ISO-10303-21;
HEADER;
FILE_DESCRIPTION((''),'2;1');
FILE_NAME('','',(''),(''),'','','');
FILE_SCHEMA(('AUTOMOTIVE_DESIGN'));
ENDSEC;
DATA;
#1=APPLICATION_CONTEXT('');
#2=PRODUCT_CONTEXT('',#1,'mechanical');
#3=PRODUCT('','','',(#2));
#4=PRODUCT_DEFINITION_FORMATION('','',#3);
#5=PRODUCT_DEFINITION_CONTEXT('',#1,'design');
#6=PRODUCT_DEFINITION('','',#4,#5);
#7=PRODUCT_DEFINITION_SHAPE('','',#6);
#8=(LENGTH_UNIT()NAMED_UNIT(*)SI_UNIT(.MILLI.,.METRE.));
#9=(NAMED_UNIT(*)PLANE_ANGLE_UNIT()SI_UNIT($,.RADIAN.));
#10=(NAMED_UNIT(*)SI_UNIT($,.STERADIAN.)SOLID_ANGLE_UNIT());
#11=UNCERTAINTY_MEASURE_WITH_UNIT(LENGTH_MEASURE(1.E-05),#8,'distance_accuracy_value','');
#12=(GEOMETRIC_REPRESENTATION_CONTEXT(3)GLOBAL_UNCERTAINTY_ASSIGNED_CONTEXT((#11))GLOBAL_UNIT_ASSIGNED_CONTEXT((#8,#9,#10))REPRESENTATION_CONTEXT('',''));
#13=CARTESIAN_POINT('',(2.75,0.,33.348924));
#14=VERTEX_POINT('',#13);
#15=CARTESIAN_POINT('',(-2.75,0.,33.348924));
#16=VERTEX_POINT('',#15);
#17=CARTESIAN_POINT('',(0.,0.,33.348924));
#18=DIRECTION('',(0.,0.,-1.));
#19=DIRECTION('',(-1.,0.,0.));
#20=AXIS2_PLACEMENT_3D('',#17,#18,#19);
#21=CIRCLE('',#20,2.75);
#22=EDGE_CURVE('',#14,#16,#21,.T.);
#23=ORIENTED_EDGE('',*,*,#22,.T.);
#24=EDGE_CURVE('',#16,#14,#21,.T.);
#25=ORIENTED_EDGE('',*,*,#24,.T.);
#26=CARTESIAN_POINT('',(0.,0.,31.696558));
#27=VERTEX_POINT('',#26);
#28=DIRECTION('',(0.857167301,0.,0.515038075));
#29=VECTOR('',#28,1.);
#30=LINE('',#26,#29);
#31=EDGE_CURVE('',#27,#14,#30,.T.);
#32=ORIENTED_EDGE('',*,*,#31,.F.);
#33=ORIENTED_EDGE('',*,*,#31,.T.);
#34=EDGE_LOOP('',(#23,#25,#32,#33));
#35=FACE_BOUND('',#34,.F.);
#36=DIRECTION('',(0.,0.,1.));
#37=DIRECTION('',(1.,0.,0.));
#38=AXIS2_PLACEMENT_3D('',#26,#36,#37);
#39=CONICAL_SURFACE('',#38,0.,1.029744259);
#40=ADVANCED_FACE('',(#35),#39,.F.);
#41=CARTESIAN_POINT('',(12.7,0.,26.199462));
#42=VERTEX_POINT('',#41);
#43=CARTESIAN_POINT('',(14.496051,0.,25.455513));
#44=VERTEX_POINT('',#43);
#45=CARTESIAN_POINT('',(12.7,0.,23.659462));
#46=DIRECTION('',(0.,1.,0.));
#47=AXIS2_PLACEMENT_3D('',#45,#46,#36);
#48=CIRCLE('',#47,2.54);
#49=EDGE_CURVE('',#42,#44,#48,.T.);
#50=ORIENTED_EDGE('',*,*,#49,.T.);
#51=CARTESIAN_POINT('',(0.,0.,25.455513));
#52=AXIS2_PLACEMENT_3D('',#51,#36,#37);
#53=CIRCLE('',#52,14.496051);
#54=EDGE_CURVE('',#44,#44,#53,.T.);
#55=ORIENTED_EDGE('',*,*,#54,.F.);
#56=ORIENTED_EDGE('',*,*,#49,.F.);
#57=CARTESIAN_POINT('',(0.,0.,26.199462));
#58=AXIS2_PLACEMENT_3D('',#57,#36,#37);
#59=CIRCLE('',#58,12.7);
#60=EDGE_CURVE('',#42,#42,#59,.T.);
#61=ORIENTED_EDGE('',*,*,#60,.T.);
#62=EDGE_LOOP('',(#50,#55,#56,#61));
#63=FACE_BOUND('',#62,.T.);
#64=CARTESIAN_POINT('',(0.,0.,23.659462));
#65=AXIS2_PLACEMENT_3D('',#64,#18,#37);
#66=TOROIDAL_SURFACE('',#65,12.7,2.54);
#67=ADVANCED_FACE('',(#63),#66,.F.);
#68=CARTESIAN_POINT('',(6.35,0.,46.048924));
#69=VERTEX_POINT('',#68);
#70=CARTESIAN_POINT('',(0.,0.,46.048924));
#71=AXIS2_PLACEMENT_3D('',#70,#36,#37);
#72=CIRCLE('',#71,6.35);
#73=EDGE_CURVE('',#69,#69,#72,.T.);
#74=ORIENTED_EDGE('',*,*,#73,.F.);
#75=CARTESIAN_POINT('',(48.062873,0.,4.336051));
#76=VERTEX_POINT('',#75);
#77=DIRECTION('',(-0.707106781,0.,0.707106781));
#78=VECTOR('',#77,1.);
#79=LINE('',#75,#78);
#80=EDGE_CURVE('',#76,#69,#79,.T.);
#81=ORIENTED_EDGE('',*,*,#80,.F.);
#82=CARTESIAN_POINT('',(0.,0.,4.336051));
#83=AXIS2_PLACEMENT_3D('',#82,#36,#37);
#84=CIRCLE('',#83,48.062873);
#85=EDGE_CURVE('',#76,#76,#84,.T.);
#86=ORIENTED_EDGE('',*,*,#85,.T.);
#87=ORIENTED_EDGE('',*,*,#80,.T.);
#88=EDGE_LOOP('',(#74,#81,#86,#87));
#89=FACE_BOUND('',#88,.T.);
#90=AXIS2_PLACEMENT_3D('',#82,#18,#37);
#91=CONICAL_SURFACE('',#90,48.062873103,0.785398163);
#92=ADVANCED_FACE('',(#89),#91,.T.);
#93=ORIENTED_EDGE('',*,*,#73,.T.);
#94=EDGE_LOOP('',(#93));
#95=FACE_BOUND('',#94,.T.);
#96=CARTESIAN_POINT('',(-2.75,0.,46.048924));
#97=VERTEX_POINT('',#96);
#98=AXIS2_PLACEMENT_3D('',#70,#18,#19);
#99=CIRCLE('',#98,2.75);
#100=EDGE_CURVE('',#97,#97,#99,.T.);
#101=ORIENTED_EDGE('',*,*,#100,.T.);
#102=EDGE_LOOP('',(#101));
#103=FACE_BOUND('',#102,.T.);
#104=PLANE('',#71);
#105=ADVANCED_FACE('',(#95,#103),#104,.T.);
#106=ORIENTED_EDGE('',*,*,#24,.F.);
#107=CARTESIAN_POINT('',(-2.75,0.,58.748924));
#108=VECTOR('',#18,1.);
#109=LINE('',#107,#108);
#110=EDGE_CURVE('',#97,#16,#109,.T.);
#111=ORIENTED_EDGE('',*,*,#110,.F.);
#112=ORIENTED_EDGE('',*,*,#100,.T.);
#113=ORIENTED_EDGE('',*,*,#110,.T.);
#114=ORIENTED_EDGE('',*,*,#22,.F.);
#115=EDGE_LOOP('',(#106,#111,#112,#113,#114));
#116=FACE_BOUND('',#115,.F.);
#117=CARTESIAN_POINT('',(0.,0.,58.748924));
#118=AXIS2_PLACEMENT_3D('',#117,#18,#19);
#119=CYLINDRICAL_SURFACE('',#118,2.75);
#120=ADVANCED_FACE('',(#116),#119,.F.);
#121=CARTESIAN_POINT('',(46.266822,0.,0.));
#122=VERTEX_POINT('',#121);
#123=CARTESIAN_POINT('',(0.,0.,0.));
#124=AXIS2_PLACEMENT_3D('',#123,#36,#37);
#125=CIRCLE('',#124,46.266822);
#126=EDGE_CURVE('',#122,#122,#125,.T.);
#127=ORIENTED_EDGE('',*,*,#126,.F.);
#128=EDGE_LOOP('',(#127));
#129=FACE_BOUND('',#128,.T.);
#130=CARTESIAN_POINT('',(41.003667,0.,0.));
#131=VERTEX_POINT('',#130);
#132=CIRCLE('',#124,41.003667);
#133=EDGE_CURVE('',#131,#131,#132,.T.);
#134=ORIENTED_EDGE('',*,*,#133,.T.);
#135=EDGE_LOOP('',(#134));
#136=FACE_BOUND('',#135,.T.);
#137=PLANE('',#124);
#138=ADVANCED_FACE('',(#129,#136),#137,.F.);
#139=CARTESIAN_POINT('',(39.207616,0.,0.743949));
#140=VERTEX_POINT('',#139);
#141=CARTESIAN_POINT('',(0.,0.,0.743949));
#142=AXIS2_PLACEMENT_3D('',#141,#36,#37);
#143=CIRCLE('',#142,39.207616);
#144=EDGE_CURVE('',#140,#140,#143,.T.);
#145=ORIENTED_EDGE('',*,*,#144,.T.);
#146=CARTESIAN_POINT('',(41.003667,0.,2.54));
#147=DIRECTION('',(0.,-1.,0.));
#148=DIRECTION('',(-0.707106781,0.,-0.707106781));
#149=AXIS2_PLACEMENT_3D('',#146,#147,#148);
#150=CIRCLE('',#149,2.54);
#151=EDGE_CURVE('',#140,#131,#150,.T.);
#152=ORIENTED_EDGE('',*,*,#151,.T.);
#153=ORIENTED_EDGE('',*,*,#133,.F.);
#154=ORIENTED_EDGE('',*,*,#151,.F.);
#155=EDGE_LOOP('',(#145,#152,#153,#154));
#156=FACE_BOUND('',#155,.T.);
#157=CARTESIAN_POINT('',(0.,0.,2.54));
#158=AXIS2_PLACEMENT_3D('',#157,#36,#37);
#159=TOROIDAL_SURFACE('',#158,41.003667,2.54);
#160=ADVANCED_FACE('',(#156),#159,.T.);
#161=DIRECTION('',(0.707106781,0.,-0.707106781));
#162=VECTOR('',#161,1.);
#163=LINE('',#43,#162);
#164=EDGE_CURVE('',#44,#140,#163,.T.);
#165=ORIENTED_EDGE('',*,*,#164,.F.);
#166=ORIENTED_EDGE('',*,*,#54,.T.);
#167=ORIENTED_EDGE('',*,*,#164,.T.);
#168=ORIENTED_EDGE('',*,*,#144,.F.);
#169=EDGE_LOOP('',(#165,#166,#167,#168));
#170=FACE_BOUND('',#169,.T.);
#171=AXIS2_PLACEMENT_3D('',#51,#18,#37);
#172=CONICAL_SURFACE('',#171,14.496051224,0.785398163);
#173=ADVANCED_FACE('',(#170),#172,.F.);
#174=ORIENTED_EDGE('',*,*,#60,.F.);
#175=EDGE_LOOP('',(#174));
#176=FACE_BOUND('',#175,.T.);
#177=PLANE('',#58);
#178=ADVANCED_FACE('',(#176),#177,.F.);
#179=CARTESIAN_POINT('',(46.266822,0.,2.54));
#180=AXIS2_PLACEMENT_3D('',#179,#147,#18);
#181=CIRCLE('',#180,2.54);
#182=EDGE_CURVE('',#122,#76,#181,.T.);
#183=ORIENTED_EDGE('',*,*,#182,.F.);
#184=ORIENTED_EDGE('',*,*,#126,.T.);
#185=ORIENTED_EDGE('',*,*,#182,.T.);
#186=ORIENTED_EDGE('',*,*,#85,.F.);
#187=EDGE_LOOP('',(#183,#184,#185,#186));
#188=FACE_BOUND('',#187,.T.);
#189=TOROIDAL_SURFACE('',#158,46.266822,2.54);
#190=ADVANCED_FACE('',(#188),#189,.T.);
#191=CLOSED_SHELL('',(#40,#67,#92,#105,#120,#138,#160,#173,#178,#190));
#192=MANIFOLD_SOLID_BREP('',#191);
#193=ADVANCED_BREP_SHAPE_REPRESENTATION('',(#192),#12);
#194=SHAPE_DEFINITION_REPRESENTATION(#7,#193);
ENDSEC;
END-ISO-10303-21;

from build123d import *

# Parameters (mm, degrees)
F3_D     = 5.5
F3_DEPTH = 12.7
F3_TIP   = 1.6523667023


with BuildPart() as f1:
    # F0 (on Front) → F1 (revolve)
    with BuildSketch(Plane.XZ):
        with BuildLine():
            Line((0, 46.0489243269), (0, 26.1994621634))
            Line((0, 26.1994621634), (12.7, 26.1994621634))
            ThreePointArc((12.7, 26.1994621634), (13.6720159182, 26.006116176), (14.4960512242, 25.4555133877))
            Line((14.4960512242, 25.4555133877), (39.2076158361, 0.7439487758))
            ThreePointArc((39.2076158361, 0.7439487758), (40.0316511421, 0.1933459874), (41.0036670603, 0))
            Line((41.0036670603, 0), (46.2668218785, 0))
            ThreePointArc((46.2668218785, 0), (48.613475891, 1.5679840818), (48.0628731027, 4.3360512242))
            Line((48.0628731027, 4.3360512242), (6.35, 46.0489243269))
            Line((6.35, 46.0489243269), (0, 46.0489243269))
        make_face()
    revolve(axis=Axis((0, 0, 36.1241932452), (0, 0, 1)))

    # F3
    with Locations(Plane.XY.offset(46.0489243269)):
        with Locations((0, 0)):
            Hole(F3_D / 2, depth=F3_DEPTH)
            with Locations((0, 0, -(F3_DEPTH + F3_TIP / 2))):  # 118° drill point
                Cone(0, F3_D / 2, F3_TIP, mode=Mode.SUBTRACT)


solid = f1.part
